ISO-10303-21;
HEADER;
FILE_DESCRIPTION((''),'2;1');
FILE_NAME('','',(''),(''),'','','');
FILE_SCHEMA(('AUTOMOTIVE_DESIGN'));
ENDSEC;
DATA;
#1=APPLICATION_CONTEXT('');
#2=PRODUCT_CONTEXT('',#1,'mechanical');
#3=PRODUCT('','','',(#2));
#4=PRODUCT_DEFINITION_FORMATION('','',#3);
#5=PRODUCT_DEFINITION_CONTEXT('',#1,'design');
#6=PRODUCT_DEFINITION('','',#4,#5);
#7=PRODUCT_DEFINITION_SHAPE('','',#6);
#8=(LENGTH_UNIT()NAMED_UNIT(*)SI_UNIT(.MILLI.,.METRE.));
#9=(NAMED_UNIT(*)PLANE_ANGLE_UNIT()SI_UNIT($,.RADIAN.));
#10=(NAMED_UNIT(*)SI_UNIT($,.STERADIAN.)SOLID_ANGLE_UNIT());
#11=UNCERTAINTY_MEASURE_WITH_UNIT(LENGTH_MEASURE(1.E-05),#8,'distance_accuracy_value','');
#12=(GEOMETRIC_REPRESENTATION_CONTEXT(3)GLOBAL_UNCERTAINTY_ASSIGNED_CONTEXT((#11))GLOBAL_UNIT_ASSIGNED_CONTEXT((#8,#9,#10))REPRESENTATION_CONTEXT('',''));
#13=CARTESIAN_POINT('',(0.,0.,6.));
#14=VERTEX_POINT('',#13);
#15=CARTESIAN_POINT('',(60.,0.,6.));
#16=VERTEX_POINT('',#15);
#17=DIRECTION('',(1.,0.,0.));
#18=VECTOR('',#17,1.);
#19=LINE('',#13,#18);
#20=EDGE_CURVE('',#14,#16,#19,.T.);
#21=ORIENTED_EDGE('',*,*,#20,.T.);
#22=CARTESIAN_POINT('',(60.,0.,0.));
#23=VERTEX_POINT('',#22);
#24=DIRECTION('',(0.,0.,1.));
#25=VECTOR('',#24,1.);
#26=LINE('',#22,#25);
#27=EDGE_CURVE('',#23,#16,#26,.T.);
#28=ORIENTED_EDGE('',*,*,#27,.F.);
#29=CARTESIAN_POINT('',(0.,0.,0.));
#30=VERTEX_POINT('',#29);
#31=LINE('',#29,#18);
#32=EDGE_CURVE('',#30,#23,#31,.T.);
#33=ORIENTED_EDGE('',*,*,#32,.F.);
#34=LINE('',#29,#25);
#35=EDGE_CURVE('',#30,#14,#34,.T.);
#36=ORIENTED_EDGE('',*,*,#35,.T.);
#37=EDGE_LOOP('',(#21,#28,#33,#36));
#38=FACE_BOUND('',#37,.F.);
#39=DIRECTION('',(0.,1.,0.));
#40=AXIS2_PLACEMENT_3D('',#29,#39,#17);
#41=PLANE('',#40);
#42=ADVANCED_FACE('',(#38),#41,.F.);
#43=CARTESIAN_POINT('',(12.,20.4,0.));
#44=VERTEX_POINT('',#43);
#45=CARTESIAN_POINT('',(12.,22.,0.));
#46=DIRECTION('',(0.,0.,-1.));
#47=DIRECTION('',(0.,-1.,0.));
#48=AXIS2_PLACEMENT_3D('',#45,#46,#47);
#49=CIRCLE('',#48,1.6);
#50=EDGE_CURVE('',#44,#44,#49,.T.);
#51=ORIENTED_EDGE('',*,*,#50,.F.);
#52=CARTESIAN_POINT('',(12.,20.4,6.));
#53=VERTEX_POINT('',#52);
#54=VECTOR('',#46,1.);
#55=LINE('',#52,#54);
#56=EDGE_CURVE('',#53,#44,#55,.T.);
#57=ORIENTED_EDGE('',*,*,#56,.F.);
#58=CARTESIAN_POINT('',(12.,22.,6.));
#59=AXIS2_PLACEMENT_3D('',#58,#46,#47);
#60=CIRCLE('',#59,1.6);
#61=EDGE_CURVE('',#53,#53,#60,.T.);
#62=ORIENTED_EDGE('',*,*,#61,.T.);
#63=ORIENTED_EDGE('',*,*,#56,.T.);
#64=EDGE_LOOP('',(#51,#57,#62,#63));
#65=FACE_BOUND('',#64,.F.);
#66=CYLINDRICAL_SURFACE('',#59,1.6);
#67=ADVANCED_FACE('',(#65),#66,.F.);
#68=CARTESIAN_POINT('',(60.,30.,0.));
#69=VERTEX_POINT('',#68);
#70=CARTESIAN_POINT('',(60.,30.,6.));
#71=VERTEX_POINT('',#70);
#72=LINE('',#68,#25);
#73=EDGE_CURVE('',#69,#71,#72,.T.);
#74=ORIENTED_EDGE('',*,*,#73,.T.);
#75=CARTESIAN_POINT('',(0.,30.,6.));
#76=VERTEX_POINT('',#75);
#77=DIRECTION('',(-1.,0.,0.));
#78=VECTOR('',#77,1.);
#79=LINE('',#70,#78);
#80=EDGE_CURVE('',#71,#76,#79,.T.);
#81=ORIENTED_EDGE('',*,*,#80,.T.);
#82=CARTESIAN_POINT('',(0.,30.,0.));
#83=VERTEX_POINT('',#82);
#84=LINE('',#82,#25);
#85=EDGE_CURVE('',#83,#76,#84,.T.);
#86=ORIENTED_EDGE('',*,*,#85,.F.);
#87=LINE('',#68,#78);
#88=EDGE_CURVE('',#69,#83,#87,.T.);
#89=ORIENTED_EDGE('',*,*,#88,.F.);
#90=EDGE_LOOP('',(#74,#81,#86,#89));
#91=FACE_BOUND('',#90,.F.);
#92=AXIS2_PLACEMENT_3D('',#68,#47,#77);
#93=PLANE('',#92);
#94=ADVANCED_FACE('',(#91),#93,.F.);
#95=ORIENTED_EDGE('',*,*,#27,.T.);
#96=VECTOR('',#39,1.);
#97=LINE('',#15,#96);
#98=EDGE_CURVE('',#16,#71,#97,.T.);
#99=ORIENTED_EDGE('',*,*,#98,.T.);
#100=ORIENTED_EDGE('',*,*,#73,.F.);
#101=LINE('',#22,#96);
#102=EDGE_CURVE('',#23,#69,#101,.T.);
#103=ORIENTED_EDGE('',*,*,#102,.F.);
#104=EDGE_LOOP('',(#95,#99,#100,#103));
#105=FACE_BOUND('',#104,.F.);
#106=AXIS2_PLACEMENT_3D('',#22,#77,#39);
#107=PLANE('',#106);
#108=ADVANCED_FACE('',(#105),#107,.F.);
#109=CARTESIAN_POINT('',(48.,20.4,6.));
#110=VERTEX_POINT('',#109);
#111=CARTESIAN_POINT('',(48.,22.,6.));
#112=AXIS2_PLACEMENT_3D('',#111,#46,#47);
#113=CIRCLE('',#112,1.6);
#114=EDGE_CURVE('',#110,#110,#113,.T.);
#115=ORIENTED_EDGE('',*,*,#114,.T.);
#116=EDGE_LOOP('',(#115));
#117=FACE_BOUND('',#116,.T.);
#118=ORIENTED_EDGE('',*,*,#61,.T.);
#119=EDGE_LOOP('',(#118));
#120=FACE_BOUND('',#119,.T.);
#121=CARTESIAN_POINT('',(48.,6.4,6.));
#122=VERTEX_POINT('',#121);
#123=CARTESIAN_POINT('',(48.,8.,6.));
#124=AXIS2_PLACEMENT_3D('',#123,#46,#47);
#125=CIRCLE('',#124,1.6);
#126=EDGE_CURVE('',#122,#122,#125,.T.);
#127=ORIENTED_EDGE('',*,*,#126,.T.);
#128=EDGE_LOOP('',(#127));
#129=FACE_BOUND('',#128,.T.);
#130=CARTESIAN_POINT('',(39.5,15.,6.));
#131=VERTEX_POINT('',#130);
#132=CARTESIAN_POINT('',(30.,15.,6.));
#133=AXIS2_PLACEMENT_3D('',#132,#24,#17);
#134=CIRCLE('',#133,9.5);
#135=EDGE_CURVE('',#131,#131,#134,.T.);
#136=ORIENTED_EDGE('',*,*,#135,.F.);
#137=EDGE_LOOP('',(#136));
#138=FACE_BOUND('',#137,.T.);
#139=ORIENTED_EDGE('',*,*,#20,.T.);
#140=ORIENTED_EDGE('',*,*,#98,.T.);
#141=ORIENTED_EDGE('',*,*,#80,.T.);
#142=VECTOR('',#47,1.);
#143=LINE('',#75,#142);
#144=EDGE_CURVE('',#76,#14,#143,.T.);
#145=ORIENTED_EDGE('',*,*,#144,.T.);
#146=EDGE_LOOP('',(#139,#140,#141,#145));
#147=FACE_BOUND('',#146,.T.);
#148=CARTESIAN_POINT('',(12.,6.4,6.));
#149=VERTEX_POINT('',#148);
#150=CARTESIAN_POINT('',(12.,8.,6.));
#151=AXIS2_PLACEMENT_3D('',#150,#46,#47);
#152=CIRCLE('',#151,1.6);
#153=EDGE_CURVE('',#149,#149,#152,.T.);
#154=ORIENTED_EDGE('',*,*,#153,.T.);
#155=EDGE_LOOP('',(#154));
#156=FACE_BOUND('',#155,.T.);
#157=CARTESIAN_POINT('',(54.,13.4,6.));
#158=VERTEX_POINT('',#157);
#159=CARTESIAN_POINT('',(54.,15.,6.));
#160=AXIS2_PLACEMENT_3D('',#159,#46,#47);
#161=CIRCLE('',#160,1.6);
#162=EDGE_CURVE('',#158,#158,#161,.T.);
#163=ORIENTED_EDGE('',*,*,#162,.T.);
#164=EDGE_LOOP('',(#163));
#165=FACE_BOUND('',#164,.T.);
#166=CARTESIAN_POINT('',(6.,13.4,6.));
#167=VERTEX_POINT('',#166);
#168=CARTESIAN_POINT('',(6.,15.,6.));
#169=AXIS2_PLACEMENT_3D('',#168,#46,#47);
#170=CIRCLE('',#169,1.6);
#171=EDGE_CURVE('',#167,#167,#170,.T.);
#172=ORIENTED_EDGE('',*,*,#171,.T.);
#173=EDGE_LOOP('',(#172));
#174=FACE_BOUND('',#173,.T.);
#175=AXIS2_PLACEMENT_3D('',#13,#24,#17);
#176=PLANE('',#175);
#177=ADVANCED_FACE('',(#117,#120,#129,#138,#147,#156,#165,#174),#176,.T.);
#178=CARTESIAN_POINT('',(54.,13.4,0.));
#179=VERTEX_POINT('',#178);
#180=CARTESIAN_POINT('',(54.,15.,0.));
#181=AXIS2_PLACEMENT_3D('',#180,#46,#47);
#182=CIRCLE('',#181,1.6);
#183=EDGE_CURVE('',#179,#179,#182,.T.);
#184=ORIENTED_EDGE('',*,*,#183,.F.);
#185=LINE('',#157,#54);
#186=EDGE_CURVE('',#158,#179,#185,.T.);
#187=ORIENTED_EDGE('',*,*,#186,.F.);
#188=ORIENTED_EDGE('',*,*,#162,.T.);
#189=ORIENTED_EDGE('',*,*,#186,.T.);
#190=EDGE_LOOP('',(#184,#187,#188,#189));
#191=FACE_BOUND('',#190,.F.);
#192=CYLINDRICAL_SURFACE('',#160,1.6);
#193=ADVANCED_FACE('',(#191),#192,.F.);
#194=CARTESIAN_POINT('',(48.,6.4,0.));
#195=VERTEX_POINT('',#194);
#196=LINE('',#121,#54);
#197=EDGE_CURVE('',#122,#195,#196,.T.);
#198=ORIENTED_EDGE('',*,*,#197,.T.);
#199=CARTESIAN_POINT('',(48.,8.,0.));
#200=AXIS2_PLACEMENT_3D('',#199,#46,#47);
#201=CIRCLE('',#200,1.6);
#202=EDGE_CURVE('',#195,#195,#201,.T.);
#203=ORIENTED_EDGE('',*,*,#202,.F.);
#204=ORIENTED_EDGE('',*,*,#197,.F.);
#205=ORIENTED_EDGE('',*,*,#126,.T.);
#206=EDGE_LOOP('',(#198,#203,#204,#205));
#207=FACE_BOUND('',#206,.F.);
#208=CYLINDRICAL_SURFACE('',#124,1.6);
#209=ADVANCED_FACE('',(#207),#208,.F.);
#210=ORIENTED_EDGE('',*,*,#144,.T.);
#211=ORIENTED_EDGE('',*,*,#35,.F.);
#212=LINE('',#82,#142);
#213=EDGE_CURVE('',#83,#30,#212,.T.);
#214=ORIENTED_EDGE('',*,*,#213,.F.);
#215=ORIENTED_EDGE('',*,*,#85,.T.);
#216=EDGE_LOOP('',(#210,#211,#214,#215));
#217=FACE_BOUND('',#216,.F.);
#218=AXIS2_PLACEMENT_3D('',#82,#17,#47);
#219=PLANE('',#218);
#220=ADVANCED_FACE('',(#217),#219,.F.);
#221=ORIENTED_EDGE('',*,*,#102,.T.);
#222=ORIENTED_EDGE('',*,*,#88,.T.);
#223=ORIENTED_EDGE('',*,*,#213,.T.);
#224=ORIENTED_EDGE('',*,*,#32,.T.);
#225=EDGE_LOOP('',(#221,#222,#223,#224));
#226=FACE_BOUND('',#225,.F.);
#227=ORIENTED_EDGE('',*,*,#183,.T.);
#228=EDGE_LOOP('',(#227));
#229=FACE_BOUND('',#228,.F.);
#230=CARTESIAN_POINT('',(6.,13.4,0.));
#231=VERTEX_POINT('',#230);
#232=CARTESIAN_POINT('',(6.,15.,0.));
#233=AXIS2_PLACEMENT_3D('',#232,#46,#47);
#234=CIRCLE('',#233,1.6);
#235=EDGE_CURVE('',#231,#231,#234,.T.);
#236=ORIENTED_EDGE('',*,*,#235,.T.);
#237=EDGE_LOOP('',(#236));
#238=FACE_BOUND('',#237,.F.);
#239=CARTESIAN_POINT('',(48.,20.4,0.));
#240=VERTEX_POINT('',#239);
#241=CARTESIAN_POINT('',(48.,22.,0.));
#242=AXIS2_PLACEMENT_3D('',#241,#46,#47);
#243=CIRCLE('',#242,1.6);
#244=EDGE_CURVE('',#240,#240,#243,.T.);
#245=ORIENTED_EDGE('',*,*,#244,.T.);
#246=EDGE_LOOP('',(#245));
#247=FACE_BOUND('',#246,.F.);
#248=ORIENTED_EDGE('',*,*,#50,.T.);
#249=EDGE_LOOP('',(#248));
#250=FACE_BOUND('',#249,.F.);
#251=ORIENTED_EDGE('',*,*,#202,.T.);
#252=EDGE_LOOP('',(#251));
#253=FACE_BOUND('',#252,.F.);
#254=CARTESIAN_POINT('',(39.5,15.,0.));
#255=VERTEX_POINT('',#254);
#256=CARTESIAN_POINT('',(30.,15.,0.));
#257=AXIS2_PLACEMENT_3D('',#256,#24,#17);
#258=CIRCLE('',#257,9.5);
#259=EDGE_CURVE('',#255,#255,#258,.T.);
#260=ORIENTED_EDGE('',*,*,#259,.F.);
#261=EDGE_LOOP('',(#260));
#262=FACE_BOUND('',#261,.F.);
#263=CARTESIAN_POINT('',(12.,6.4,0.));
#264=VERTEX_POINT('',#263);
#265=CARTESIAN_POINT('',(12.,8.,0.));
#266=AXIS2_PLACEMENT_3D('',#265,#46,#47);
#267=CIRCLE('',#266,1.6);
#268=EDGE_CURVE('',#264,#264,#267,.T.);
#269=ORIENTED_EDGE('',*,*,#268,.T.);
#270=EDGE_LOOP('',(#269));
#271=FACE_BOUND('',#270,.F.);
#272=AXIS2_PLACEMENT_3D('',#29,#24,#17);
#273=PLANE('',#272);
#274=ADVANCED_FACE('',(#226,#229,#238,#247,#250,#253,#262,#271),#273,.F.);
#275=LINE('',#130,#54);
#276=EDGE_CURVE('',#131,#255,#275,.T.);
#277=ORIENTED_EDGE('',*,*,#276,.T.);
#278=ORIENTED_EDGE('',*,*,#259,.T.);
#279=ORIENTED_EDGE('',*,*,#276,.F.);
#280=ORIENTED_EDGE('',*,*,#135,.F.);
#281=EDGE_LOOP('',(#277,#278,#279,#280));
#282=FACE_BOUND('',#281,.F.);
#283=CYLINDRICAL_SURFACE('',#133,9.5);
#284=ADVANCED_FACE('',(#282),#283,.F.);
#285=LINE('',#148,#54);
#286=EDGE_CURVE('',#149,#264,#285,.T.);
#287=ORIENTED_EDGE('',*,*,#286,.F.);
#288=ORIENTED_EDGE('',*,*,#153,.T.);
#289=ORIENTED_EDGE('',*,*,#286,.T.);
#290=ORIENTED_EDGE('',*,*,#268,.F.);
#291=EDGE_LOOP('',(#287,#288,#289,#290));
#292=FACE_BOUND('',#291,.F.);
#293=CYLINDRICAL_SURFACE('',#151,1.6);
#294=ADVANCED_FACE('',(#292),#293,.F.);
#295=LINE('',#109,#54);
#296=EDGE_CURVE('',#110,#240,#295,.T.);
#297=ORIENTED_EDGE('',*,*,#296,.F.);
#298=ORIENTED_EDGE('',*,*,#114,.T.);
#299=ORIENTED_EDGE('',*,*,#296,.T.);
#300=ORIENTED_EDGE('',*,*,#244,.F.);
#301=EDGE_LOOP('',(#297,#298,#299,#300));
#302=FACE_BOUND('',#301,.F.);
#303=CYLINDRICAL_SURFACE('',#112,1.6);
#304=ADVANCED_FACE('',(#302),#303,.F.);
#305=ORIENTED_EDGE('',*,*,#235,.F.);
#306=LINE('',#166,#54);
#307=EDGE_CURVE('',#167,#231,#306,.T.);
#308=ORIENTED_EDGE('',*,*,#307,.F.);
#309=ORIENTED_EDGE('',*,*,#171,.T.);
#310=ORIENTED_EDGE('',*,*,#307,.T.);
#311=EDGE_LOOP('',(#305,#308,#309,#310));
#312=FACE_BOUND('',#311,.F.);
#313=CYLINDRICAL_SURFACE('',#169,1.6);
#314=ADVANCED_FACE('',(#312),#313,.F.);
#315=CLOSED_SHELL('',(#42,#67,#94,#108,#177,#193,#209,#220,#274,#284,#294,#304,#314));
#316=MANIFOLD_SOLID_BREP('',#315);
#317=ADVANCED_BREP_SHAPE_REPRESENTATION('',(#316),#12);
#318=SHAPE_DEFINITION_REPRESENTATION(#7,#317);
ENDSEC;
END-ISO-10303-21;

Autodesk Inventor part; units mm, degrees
ref_plane "YZ Plane" through (0, 0, 0) normal (1, 0, 0) x (0, 1, 0)
ref_plane "XZ Plane" through (0, 0, 0) normal (0, 1, 0) x (-1, 0, 0)
ref_plane "XY Plane" through (0, 0, 0) normal (0, 0, 1) x (1, 0, 0)
sketch "スケッチ1" plane through (0, 0, 0) normal (0, 0, 1) x (1, 0, 0)
  line L0 (0, 0) -> (60, 0)
  line L1 (60, 0) -> (60, 30)
  line L2 (60, 30) -> (0, 30)
  line L3 (0, 30) -> (0, 0)
  dimension "d0" = 60
  dimension "d1" = 30
extrude "押し出し1" add sketch "スケッチ1" along normal blind 6
sketch "スケッチ2" plane through (0, 0, 6) normal (0, 0, 1) x (1, 0, 0)
  circle A0 centre (30, 15) radius 9.5
  line L0 (0, 30) -> (0, 0) projected
  line L1 (60, 30) -> (0, 30) projected
  dimension "d4" = 19
  dimension "d5" = 30
  dimension "d6" = 15
extrude "押し出し2" cut sketch "スケッチ2" against normal blind 6
sketch "スケッチ3" plane through (0, 0, 6) normal (0, 0, 1) x (1, 0, 0)
  circle A0 centre (12, 22) radius 1.6
  circle A1 centre (12, 8) radius 1.6
  line L0 (60, 30) -> (0, 30) projected
  line L1 (0, 0) -> (60, 0) projected
  line L2 (0, 30) -> (0, 0) projected
  circle A2 centre (6, 15) radius 1.6
  line L3 (30, 30) -> (30, 0) construction
  line L4 (0, 0) -> (60, 0) projected
  circle A3 centre (48, 22) radius 1.6
  circle A4 centre (48, 8) radius 1.6
  circle A5 centre (54, 15) radius 1.6
  dimension "d9" = 3.2
  dimension "d10" = 3.2
  dimension "d11" = 8
  dimension "d12" = 8
  dimension "d13" = 12
  dimension "d14" = 12
  dimension "d15" = 3.2
  dimension "d16" = 15
  dimension "d17" = 6
hole "穴1" at (12, 22, 6) at (6, 15, 6) at (12, 8, 6) at (48, 22, 6) at (54, 15, 6) at (48, 8, 6) direction (0, 0, -1) diameter 3.2 depth 6
equation "\"BendRadius\" = Thickness"
equation "\"BendReliefWidth\" = Thickness"
equation "\"BendReliefDepth\" = 0.5 * Thickness"
equation "\"CornerReliefSize\" = 4 * Thickness"
equation "\"MinimumRemnant\" = 2 * Thickness"
equation "\"TransitionRadius\" = BendRadius"
equation "\"JacobiRadiusSize\" = BendRadius"
equation "\"GapSize\" = Thickness"
equation "\"Thickness\" = 0.5"
properties part number "nhk45"
